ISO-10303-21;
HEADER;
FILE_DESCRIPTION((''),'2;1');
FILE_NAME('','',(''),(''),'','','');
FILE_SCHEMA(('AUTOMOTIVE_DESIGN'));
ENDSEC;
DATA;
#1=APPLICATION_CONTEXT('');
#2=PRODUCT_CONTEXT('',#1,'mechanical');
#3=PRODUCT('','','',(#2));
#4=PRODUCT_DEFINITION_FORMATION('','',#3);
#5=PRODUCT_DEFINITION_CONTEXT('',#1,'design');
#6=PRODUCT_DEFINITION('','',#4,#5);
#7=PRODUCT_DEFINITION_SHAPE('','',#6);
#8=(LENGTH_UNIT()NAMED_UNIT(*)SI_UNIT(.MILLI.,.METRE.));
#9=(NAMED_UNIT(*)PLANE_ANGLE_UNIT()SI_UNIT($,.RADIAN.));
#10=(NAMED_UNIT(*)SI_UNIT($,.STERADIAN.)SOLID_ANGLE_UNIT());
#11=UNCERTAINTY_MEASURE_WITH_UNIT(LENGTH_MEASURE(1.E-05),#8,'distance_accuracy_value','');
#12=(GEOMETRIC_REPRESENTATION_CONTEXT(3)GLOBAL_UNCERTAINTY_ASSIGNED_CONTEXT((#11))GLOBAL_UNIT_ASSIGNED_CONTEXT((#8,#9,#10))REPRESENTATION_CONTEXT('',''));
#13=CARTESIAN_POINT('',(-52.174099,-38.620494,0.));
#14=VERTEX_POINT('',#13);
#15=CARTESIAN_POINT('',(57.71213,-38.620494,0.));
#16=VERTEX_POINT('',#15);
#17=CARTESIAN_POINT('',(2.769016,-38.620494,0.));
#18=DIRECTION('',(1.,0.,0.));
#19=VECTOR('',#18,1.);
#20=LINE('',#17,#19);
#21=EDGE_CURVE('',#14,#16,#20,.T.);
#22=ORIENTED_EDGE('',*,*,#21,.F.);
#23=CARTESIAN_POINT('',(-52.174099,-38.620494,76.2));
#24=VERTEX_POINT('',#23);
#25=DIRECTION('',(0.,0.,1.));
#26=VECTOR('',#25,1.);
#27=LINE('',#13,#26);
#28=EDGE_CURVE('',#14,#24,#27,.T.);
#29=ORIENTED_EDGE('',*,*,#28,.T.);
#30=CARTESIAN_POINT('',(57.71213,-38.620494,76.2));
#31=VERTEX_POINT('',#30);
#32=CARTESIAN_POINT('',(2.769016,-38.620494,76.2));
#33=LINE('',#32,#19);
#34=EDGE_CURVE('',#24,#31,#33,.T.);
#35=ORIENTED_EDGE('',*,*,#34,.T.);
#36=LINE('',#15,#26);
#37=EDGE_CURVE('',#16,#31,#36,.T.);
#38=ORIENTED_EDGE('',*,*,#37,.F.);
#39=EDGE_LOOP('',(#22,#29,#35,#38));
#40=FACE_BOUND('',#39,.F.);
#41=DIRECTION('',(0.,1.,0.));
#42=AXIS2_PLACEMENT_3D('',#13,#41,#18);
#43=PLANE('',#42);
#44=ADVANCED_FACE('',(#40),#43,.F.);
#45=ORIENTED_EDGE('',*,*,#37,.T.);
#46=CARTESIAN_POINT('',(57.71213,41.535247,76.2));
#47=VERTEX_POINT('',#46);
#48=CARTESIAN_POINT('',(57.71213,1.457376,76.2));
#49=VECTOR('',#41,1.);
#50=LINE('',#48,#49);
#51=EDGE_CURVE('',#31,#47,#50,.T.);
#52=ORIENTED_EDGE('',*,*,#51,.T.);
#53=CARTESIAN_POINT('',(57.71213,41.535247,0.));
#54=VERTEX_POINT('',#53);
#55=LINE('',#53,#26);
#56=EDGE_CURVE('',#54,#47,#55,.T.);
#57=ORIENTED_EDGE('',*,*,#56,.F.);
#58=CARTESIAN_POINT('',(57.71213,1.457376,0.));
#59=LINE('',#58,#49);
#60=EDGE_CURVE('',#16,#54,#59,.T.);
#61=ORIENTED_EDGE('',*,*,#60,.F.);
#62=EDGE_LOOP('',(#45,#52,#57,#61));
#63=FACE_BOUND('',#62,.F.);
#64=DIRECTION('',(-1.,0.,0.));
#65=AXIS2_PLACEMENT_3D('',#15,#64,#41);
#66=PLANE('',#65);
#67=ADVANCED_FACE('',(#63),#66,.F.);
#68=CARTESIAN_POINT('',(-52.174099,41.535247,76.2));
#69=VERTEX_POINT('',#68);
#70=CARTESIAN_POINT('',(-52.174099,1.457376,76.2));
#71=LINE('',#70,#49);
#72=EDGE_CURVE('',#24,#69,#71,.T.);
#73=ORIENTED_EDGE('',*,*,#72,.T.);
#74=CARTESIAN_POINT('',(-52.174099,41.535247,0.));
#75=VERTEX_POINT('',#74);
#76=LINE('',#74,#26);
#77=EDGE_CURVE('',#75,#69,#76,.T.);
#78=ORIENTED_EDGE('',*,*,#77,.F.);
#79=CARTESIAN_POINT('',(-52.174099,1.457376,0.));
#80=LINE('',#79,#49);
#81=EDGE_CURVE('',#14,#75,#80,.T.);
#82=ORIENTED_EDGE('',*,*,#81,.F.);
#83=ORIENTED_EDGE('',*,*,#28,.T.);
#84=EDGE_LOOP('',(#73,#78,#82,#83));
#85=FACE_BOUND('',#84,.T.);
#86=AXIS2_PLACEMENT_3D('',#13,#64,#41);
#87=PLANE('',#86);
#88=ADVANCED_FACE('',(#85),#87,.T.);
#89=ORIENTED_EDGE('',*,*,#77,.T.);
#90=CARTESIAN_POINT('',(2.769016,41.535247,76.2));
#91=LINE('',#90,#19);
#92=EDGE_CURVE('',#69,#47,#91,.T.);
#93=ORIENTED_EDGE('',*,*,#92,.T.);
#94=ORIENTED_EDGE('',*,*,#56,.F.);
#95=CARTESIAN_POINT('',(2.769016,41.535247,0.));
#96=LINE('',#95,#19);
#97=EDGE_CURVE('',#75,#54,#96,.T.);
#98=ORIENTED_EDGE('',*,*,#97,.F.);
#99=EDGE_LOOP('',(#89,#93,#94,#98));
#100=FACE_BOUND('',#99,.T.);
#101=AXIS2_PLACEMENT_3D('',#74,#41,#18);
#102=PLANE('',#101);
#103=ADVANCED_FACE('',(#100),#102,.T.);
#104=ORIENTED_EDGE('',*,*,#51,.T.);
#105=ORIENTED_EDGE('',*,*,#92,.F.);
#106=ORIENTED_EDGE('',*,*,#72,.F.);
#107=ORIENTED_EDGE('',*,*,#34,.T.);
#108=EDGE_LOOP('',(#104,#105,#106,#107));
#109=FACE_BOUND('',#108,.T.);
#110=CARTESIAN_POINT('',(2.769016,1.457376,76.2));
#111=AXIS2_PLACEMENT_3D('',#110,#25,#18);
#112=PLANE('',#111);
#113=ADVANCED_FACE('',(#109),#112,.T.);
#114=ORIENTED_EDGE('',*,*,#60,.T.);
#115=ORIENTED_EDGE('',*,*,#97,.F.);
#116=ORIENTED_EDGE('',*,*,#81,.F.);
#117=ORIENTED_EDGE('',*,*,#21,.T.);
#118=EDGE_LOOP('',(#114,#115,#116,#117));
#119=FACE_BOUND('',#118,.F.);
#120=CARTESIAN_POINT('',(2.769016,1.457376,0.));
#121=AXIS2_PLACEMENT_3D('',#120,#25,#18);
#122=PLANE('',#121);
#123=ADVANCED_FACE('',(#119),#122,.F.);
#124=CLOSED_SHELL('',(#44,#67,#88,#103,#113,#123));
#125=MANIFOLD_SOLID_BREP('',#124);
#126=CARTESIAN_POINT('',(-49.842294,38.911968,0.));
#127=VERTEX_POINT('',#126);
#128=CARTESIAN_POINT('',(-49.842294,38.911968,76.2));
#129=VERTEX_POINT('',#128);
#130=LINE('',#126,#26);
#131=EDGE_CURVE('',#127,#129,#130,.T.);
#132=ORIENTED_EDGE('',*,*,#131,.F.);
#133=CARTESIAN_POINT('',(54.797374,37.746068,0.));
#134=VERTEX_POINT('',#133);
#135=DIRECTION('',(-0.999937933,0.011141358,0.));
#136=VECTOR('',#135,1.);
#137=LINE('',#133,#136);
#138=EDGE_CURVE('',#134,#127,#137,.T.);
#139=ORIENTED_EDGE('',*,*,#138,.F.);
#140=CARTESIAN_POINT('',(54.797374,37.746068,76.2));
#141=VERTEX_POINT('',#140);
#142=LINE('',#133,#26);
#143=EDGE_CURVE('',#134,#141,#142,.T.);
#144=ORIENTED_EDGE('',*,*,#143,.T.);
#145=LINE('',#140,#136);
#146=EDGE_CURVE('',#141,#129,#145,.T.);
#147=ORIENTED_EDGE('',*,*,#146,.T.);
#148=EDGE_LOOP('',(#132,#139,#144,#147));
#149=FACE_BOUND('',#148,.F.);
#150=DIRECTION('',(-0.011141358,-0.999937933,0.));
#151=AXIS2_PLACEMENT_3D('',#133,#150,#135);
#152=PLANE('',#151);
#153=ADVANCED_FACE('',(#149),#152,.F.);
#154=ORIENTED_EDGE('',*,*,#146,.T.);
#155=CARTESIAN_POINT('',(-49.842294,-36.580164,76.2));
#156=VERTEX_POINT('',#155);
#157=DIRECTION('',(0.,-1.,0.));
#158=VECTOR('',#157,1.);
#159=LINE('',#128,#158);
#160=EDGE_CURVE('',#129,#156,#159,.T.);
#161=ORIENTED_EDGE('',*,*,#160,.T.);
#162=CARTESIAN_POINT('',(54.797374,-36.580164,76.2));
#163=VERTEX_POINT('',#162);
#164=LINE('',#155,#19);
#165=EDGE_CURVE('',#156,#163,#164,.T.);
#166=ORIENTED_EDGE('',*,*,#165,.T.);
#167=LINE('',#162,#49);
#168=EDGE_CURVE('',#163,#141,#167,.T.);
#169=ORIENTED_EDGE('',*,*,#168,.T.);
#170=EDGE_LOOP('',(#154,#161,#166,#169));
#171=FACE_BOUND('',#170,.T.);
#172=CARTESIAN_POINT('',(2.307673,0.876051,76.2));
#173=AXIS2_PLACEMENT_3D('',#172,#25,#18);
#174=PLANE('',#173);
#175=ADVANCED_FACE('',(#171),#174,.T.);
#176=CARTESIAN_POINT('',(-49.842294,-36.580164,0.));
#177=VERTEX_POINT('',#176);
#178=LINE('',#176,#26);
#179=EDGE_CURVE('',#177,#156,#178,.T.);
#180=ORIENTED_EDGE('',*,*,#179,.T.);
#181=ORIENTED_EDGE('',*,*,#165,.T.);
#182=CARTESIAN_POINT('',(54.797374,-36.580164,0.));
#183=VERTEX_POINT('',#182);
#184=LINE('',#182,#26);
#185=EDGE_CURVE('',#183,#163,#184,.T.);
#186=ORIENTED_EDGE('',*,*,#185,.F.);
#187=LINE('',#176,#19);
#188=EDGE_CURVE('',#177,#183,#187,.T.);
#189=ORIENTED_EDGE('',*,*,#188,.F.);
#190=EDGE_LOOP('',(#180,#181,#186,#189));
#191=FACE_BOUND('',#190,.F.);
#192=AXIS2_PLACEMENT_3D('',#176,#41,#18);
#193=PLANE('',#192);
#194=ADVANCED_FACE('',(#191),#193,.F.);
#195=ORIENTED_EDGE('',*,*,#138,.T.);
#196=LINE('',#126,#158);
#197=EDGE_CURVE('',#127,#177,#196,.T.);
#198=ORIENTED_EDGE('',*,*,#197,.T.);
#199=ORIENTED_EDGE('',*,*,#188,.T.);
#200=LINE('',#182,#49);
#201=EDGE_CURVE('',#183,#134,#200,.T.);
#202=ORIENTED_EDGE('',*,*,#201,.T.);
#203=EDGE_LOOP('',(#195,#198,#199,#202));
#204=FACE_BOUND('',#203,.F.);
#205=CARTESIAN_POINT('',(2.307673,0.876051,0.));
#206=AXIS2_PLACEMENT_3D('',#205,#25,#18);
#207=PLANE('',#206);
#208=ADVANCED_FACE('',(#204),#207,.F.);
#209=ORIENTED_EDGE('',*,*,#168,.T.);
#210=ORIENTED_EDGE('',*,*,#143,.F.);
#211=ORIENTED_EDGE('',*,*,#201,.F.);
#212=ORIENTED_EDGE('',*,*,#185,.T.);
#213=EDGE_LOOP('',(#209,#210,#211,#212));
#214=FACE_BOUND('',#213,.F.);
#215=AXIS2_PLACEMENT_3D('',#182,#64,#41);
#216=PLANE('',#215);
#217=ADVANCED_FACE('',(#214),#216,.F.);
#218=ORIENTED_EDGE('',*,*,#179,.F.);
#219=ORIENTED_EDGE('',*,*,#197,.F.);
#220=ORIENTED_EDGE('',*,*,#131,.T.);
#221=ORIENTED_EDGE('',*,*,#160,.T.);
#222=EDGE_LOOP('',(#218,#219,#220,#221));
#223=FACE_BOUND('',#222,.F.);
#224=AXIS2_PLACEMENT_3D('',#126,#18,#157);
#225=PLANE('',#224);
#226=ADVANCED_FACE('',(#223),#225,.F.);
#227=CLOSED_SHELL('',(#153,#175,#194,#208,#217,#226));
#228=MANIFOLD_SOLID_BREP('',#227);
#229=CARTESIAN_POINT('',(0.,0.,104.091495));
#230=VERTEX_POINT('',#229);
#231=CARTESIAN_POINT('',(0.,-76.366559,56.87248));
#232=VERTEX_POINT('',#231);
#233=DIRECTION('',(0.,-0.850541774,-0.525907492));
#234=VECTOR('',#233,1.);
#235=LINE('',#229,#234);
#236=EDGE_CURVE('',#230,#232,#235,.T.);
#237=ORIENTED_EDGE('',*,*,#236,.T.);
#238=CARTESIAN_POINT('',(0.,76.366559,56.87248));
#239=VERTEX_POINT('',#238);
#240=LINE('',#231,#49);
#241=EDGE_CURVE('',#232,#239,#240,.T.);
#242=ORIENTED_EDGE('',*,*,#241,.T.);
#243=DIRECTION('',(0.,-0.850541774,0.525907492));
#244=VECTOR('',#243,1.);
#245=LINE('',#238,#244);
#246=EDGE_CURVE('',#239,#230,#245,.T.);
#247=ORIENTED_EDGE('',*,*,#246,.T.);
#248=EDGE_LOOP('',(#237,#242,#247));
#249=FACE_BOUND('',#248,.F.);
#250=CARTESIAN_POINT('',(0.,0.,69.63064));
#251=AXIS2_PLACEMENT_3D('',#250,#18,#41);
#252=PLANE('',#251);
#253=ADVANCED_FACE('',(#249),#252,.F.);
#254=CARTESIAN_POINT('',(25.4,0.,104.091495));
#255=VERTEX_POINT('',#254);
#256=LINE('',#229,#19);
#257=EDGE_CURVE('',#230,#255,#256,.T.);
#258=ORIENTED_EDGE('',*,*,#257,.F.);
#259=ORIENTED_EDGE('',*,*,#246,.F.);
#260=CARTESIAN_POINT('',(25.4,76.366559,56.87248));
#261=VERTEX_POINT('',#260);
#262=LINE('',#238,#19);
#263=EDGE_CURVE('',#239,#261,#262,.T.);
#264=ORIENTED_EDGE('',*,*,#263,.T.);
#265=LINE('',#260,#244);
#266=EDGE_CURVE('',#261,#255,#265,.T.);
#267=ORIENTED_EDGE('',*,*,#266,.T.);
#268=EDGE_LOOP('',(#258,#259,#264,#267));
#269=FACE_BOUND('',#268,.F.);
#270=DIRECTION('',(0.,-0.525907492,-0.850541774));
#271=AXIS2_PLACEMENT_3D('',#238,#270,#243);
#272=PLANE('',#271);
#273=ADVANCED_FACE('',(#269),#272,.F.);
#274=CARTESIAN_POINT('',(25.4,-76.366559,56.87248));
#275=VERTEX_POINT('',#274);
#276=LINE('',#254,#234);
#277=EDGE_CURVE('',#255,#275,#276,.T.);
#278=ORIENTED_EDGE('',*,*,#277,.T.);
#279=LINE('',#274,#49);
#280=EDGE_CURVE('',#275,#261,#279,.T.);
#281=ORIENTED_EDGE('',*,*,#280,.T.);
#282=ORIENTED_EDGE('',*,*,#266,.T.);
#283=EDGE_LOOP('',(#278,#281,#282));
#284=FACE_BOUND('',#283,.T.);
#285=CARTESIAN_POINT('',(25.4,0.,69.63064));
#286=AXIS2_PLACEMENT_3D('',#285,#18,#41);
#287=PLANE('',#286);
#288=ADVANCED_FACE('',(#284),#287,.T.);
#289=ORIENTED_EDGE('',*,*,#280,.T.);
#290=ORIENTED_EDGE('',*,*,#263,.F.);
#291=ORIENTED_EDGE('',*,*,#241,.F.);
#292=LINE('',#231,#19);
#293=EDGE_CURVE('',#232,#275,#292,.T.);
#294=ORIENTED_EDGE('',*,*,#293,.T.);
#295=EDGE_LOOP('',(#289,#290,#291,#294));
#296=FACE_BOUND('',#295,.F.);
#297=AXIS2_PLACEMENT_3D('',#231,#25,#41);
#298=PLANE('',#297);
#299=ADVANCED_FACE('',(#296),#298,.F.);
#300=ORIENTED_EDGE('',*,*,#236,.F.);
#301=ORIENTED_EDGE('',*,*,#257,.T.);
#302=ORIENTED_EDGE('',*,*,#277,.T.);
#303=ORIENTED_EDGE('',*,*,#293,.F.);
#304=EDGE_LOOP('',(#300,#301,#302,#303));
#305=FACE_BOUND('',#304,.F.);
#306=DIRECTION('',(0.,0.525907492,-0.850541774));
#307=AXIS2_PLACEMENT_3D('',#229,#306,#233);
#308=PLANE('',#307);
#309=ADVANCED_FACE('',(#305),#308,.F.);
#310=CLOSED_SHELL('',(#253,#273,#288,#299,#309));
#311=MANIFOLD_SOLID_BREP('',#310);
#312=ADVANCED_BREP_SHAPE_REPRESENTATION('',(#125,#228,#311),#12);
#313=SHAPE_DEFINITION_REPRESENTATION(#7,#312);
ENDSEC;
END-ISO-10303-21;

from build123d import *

# Parameters (mm, degrees)
F2_DEPTH = 76.2
F0_W     = 109.8862290382
F0_H     = 80.1557414234
F4_DEPTH = 25.4


with BuildPart() as f2:
    # F1 (on face) → F2 (new body)
    with BuildSketch(Plane.XY):
        Polygon((54.7973737121, 37.7460680902), (-49.8422943056, 38.9119684696), (-49.8422943056, -36.5801639855), (54.7973737121, -36.5801639855), align=None)
    extrude(amount=F2_DEPTH)


with BuildPart() as f2b:
    # F0 (on Top) → F2, piece 2 (new body)
    with BuildSketch(Plane.XY):
        with Locations((2.7690157294, 1.4573764056)):
            Rectangle(F0_W, F0_H)
    extrude(amount=F2_DEPTH)


with BuildPart() as f4:
    # F3 (on Right) → F4 (new body)
    with BuildSketch(Plane.YZ):
        Polygon((0, 104.0914952755), (-76.366558671, 56.8724796176), (76.366558671, 56.8724796176), align=None)
    extrude(amount=F4_DEPTH)


solid = Compound([f2.part, f2b.part, f4.part])
